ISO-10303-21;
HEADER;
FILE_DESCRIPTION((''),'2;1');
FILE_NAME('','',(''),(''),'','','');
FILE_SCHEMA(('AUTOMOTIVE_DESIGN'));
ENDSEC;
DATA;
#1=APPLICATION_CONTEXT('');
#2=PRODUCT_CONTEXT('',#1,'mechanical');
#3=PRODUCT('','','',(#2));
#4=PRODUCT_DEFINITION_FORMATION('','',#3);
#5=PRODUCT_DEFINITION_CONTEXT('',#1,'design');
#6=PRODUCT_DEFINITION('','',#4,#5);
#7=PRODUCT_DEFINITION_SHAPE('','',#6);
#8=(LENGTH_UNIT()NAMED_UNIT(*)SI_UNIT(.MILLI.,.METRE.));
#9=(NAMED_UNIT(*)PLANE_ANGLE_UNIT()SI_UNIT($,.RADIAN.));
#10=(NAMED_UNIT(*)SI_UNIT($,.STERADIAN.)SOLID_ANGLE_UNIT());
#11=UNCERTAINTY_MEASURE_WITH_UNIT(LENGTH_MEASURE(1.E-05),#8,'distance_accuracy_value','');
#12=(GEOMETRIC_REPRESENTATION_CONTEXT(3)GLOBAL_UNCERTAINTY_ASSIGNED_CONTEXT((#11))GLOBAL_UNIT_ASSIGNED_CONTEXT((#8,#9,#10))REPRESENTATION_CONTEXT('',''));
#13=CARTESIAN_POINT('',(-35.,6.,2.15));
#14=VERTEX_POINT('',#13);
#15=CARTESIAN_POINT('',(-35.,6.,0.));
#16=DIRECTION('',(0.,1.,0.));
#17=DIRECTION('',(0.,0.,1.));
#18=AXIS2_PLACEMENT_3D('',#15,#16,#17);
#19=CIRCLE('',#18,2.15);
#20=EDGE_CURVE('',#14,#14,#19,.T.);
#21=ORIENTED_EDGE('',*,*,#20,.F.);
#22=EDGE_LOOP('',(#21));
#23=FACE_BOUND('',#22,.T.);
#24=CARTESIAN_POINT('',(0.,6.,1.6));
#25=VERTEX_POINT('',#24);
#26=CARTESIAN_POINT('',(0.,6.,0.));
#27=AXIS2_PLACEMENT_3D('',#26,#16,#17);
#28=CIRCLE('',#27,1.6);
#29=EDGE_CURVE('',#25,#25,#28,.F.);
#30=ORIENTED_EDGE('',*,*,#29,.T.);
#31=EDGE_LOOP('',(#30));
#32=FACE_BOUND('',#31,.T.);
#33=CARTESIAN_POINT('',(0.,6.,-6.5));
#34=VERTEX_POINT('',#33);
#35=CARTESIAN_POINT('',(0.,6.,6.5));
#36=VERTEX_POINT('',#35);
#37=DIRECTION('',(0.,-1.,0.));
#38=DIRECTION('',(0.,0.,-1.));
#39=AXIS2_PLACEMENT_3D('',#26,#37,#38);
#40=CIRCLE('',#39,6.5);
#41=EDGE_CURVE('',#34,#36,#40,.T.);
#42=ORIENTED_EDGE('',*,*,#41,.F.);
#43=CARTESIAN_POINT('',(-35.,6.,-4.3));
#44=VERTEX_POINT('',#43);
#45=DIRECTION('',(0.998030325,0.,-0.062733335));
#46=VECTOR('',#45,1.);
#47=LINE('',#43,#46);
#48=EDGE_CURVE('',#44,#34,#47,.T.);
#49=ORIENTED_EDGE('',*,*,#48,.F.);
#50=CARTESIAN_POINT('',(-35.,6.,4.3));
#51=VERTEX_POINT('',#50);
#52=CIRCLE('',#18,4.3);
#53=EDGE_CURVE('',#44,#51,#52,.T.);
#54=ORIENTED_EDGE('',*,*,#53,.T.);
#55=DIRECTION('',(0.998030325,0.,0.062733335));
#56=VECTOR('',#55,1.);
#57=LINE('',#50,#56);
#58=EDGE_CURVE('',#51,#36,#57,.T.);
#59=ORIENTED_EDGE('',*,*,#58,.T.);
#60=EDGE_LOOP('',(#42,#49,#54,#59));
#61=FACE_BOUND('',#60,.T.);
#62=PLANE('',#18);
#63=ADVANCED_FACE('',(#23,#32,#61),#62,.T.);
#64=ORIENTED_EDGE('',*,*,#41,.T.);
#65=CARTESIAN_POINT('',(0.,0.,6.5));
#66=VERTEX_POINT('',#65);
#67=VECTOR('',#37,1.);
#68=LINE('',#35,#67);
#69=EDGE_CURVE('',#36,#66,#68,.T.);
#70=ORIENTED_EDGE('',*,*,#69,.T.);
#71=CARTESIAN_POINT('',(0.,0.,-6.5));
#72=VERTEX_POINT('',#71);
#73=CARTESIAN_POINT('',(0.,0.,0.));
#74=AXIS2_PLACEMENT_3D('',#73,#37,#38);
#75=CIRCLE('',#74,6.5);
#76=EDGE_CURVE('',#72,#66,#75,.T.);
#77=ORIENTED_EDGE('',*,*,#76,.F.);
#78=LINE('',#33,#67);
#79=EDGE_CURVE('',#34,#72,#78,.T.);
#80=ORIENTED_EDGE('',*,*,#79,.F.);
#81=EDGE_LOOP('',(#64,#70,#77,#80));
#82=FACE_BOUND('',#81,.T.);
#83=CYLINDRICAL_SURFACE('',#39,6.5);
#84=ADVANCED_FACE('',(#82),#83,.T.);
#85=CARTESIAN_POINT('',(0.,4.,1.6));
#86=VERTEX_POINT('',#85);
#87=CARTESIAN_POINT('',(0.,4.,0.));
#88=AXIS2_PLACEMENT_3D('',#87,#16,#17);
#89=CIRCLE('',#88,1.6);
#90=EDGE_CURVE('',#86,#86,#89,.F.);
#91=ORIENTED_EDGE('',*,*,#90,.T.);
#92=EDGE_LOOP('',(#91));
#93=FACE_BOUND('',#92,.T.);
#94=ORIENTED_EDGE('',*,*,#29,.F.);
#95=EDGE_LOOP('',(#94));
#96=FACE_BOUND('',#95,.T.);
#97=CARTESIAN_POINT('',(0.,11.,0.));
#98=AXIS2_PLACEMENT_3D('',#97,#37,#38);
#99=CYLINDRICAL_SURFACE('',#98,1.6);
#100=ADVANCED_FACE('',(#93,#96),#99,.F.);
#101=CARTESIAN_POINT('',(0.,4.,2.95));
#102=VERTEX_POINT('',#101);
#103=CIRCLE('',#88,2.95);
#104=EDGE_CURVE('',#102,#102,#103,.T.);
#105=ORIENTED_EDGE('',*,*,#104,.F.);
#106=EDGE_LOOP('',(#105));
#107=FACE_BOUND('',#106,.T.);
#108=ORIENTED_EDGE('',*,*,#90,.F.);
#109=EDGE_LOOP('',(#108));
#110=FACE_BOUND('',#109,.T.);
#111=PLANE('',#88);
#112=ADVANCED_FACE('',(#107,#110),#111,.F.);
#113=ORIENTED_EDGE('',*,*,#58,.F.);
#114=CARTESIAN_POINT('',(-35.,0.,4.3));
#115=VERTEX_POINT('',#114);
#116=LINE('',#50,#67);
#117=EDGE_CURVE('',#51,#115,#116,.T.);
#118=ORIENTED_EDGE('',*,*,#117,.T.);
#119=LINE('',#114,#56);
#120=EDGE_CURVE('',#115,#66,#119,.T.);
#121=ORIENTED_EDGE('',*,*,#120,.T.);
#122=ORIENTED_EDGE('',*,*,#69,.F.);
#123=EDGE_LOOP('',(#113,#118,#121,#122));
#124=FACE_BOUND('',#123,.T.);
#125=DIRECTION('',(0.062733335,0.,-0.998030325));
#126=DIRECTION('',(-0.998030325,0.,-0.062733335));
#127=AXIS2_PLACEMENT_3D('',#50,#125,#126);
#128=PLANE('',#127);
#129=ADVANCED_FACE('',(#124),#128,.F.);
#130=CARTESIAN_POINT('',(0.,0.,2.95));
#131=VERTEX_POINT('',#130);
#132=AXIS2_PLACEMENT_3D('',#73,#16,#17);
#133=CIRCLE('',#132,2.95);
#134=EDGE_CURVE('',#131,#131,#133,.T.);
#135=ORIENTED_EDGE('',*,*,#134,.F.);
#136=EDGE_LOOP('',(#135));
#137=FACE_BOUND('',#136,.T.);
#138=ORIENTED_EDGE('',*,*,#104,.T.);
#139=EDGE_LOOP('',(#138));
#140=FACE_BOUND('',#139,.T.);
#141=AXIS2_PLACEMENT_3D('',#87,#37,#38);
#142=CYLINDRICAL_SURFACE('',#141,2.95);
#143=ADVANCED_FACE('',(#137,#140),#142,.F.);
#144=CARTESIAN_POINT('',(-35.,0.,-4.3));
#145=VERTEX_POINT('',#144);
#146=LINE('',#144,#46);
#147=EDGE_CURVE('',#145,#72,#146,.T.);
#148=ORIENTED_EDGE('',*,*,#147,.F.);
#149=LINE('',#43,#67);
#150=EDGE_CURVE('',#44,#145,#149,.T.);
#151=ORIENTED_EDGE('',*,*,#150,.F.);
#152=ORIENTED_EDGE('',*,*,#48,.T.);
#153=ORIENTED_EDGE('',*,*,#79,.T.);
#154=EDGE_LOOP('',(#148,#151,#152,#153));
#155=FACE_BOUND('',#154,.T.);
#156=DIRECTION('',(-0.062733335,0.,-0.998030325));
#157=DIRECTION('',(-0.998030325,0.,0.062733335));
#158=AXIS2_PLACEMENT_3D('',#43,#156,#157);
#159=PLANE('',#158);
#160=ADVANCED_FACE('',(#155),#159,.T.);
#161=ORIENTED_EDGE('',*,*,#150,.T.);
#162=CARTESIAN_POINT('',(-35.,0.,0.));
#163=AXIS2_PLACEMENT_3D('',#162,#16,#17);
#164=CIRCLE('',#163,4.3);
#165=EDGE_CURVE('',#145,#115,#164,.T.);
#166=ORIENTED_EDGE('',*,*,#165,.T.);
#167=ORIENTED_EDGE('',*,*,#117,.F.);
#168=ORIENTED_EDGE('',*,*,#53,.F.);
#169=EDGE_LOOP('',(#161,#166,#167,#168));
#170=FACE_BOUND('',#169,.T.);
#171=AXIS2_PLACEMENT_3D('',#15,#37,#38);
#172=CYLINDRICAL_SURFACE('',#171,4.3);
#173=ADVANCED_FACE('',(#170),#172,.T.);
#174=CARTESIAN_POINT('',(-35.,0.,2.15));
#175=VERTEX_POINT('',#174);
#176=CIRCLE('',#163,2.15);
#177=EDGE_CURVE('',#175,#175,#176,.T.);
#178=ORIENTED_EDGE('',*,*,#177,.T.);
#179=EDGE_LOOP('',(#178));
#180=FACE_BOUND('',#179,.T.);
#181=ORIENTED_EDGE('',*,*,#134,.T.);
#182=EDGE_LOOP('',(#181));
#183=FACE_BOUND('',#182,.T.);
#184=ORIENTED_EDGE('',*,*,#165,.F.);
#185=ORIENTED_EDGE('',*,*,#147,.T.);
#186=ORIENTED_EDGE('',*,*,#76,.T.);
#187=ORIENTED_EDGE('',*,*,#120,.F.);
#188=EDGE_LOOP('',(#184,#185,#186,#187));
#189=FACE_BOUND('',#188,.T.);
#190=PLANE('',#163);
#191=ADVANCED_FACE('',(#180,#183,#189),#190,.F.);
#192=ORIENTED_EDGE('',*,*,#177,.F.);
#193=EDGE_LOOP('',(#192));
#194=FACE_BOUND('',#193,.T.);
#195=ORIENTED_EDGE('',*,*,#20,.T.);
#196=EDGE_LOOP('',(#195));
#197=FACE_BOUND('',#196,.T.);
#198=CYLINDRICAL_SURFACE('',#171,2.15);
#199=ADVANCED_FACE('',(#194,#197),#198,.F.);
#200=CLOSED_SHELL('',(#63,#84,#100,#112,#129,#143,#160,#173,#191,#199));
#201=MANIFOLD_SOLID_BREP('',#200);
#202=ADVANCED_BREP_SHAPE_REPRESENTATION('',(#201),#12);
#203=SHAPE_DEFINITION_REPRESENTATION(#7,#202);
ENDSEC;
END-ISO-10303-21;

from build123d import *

# Parameters (mm, degrees)
BOSS_EXTRUDE1_DEPTH = 6
SKETCH2_R           = 2.15
CUT_EXTRUDE1_DEPTH  = 6
SKETCH3_R           = 2.95
CUT_EXTRUDE2_DEPTH  = 4
SKETCH4_R           = 1.6
CUT_EXTRUDE3_DEPTH  = 11


with BuildPart() as part:
    # Sketch1 → Boss-Extrude1 (new body)
    with BuildSketch(Plane(origin=(0, 0, 0), x_dir=(1, 0, 0), z_dir=(0, 1, 0))):
        with BuildLine():
            Line((-35, 4.3), (0, 6.5))
            ThreePointArc((0, 6.5), (6.5, 0), (0, -6.5))
            Line((0, -6.5), (-35, -4.3))
            ThreePointArc((-35, -4.3), (-39.3, 0), (-35, 4.3))
        make_face()
    extrude(amount=BOSS_EXTRUDE1_DEPTH)

    # Sketch2 → Cut-Extrude1 (cut)
    with BuildSketch(Plane(origin=(0, 0, 0), x_dir=(1, 0, 0), z_dir=(0, 1, 0))):
        with Locations(Location((-35, 0, 0), (0, 0, 270))):
            Circle(SKETCH2_R)
    extrude(amount=CUT_EXTRUDE1_DEPTH, mode=Mode.SUBTRACT)

    # Sketch3 → Cut-Extrude2 (cut)
    with BuildSketch(Plane(origin=(0, 0, 0), x_dir=(1, 0, 0), z_dir=(0, 1, 0))):
        with Locations(Location((0, 0, 0), (0, 0, 270))):
            Circle(SKETCH3_R)
    extrude(amount=CUT_EXTRUDE2_DEPTH, mode=Mode.SUBTRACT)

    # Sketch4 → Cut-Extrude3 (cut)
    with BuildSketch(Plane(origin=(0, 0, 0), x_dir=(1, 0, 0), z_dir=(0, 1, 0))):
        with Locations(Location((0, 0, 0), (0, 0, 270))):
            Circle(SKETCH4_R)
    extrude(amount=CUT_EXTRUDE3_DEPTH, mode=Mode.SUBTRACT)


solid = part.part
